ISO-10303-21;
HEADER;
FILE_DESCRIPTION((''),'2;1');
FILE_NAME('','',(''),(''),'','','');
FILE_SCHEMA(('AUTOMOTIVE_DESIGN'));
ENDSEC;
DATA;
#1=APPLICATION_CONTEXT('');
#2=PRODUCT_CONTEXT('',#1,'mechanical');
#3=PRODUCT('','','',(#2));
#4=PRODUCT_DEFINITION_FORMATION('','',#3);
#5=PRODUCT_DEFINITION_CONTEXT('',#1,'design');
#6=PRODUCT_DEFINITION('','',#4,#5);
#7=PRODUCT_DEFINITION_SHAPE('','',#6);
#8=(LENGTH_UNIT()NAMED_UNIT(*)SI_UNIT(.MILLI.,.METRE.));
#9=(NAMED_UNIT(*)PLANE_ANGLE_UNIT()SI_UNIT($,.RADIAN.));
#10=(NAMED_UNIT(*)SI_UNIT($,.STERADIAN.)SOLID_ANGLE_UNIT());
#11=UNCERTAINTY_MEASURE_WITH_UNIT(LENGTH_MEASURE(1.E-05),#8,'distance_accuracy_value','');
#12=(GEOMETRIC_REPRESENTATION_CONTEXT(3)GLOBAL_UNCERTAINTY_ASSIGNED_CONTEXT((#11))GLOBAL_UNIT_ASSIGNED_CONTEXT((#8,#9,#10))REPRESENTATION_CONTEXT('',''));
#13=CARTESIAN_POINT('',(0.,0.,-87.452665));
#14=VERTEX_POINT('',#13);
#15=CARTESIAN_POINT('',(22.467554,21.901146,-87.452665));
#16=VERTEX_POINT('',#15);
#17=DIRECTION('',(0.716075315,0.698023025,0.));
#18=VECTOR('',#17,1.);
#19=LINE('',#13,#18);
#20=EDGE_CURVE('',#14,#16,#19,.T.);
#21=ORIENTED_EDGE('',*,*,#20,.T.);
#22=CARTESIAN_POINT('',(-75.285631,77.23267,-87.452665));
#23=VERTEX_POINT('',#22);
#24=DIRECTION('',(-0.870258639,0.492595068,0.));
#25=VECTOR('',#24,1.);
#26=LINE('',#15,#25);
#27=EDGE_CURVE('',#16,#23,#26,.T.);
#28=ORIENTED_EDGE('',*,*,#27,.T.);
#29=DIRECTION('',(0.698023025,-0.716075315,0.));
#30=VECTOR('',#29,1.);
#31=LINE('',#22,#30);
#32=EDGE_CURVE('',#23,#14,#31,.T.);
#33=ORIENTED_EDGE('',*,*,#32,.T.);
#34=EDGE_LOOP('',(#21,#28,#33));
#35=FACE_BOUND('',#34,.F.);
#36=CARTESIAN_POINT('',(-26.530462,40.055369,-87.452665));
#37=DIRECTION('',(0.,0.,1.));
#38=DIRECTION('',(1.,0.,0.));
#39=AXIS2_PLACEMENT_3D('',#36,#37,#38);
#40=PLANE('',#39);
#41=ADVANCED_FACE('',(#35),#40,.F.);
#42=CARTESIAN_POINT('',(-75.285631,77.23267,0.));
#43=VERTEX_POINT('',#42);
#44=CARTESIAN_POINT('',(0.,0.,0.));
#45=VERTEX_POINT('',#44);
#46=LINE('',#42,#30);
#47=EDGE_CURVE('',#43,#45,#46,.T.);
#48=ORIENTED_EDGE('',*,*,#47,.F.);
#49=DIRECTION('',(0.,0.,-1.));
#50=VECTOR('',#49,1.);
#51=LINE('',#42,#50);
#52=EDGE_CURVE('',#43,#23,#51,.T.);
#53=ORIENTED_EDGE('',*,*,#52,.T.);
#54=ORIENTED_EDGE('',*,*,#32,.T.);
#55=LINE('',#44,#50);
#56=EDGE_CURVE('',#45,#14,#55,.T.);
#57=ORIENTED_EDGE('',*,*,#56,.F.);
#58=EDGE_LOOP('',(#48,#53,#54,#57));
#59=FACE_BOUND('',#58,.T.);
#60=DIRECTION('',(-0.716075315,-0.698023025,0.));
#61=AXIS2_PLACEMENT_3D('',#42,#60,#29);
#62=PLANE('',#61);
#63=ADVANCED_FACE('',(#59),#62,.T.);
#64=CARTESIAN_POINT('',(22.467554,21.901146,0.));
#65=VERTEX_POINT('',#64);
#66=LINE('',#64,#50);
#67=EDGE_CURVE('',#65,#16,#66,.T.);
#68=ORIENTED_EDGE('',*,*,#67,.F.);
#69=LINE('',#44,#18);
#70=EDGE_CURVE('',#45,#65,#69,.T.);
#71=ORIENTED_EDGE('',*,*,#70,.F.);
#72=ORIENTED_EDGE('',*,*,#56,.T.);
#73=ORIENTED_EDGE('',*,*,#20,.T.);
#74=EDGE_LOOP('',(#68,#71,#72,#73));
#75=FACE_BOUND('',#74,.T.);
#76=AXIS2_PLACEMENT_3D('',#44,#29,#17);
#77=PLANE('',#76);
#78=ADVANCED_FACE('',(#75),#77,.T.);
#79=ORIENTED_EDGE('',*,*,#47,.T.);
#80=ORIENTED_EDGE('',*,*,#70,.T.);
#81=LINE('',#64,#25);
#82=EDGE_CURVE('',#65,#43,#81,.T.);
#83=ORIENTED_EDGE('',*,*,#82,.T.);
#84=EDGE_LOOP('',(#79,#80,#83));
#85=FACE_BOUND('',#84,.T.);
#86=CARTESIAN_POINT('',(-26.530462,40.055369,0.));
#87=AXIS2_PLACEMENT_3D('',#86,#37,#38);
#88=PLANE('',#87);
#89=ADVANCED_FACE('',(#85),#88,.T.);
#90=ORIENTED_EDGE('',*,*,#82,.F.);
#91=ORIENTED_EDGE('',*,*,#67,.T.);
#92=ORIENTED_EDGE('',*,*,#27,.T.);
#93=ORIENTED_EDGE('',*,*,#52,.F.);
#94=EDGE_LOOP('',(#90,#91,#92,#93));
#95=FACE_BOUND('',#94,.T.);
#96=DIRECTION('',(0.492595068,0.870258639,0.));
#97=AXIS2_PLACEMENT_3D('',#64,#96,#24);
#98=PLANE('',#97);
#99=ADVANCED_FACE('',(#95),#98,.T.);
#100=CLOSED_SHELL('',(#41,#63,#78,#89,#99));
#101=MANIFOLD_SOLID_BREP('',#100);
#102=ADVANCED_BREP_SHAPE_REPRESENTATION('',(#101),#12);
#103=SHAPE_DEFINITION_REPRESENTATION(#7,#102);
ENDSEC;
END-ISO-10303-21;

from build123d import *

# Parameters (mm, degrees)
F1_DEPTH = 87.452665


with BuildPart() as f1:
    # F0 (on Top) → F1 (new body)
    with BuildSketch(Plane.XY):
        Polygon((0, 0), (22.467554, 21.901146), (-75.285631, 77.23267), align=None)
    extrude(amount=-F1_DEPTH)


solid = f1.part
